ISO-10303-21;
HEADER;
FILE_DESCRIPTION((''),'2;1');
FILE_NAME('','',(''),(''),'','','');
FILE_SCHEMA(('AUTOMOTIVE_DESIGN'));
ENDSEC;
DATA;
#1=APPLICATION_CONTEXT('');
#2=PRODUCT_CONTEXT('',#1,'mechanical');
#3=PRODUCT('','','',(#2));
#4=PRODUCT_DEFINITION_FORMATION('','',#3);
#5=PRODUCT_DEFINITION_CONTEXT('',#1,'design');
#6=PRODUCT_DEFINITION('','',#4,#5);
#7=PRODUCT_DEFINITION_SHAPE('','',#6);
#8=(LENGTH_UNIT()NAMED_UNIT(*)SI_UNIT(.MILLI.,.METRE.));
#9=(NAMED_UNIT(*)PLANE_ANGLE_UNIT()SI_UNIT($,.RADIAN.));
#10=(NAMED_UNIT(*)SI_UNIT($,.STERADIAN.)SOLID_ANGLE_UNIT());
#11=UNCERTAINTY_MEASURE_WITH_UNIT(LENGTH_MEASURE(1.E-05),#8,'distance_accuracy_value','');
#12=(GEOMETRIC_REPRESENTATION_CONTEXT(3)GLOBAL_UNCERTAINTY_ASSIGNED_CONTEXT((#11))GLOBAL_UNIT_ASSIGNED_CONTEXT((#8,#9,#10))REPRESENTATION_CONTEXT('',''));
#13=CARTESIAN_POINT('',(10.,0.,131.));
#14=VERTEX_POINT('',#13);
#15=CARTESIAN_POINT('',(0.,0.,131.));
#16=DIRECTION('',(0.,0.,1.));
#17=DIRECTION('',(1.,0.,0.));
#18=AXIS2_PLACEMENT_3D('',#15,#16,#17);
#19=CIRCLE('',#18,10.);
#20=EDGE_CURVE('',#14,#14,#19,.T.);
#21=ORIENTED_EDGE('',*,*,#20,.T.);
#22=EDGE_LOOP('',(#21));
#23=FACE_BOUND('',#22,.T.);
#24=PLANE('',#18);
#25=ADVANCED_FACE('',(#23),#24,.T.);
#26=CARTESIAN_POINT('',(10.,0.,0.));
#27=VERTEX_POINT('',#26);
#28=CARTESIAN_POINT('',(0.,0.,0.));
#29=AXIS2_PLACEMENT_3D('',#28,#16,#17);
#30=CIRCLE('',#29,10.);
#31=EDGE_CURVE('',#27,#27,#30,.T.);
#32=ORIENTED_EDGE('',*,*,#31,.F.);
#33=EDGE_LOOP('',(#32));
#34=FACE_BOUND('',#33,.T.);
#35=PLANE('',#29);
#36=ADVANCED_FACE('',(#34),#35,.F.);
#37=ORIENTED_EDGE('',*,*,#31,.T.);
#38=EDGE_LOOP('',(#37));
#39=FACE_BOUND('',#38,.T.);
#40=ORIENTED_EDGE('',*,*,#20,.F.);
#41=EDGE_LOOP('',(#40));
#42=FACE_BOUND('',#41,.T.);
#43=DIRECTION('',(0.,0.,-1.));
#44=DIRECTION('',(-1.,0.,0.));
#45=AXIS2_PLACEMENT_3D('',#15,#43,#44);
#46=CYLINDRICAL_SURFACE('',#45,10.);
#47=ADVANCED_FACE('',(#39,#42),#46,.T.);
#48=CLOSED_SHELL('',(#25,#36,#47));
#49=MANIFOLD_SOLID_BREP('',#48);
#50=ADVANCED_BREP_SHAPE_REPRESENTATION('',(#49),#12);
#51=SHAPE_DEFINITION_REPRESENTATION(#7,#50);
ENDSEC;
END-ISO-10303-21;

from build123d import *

# Parameters (mm, degrees)
CROQUIS1_R              = 10
SALIENTE_EXTRUIR1_DEPTH = 131


with BuildPart() as part:
    # Croquis1 → Saliente-Extruir1 (new body)
    with BuildSketch(Plane.XY):
        Circle(CROQUIS1_R)
    extrude(amount=SALIENTE_EXTRUIR1_DEPTH)


solid = part.part
